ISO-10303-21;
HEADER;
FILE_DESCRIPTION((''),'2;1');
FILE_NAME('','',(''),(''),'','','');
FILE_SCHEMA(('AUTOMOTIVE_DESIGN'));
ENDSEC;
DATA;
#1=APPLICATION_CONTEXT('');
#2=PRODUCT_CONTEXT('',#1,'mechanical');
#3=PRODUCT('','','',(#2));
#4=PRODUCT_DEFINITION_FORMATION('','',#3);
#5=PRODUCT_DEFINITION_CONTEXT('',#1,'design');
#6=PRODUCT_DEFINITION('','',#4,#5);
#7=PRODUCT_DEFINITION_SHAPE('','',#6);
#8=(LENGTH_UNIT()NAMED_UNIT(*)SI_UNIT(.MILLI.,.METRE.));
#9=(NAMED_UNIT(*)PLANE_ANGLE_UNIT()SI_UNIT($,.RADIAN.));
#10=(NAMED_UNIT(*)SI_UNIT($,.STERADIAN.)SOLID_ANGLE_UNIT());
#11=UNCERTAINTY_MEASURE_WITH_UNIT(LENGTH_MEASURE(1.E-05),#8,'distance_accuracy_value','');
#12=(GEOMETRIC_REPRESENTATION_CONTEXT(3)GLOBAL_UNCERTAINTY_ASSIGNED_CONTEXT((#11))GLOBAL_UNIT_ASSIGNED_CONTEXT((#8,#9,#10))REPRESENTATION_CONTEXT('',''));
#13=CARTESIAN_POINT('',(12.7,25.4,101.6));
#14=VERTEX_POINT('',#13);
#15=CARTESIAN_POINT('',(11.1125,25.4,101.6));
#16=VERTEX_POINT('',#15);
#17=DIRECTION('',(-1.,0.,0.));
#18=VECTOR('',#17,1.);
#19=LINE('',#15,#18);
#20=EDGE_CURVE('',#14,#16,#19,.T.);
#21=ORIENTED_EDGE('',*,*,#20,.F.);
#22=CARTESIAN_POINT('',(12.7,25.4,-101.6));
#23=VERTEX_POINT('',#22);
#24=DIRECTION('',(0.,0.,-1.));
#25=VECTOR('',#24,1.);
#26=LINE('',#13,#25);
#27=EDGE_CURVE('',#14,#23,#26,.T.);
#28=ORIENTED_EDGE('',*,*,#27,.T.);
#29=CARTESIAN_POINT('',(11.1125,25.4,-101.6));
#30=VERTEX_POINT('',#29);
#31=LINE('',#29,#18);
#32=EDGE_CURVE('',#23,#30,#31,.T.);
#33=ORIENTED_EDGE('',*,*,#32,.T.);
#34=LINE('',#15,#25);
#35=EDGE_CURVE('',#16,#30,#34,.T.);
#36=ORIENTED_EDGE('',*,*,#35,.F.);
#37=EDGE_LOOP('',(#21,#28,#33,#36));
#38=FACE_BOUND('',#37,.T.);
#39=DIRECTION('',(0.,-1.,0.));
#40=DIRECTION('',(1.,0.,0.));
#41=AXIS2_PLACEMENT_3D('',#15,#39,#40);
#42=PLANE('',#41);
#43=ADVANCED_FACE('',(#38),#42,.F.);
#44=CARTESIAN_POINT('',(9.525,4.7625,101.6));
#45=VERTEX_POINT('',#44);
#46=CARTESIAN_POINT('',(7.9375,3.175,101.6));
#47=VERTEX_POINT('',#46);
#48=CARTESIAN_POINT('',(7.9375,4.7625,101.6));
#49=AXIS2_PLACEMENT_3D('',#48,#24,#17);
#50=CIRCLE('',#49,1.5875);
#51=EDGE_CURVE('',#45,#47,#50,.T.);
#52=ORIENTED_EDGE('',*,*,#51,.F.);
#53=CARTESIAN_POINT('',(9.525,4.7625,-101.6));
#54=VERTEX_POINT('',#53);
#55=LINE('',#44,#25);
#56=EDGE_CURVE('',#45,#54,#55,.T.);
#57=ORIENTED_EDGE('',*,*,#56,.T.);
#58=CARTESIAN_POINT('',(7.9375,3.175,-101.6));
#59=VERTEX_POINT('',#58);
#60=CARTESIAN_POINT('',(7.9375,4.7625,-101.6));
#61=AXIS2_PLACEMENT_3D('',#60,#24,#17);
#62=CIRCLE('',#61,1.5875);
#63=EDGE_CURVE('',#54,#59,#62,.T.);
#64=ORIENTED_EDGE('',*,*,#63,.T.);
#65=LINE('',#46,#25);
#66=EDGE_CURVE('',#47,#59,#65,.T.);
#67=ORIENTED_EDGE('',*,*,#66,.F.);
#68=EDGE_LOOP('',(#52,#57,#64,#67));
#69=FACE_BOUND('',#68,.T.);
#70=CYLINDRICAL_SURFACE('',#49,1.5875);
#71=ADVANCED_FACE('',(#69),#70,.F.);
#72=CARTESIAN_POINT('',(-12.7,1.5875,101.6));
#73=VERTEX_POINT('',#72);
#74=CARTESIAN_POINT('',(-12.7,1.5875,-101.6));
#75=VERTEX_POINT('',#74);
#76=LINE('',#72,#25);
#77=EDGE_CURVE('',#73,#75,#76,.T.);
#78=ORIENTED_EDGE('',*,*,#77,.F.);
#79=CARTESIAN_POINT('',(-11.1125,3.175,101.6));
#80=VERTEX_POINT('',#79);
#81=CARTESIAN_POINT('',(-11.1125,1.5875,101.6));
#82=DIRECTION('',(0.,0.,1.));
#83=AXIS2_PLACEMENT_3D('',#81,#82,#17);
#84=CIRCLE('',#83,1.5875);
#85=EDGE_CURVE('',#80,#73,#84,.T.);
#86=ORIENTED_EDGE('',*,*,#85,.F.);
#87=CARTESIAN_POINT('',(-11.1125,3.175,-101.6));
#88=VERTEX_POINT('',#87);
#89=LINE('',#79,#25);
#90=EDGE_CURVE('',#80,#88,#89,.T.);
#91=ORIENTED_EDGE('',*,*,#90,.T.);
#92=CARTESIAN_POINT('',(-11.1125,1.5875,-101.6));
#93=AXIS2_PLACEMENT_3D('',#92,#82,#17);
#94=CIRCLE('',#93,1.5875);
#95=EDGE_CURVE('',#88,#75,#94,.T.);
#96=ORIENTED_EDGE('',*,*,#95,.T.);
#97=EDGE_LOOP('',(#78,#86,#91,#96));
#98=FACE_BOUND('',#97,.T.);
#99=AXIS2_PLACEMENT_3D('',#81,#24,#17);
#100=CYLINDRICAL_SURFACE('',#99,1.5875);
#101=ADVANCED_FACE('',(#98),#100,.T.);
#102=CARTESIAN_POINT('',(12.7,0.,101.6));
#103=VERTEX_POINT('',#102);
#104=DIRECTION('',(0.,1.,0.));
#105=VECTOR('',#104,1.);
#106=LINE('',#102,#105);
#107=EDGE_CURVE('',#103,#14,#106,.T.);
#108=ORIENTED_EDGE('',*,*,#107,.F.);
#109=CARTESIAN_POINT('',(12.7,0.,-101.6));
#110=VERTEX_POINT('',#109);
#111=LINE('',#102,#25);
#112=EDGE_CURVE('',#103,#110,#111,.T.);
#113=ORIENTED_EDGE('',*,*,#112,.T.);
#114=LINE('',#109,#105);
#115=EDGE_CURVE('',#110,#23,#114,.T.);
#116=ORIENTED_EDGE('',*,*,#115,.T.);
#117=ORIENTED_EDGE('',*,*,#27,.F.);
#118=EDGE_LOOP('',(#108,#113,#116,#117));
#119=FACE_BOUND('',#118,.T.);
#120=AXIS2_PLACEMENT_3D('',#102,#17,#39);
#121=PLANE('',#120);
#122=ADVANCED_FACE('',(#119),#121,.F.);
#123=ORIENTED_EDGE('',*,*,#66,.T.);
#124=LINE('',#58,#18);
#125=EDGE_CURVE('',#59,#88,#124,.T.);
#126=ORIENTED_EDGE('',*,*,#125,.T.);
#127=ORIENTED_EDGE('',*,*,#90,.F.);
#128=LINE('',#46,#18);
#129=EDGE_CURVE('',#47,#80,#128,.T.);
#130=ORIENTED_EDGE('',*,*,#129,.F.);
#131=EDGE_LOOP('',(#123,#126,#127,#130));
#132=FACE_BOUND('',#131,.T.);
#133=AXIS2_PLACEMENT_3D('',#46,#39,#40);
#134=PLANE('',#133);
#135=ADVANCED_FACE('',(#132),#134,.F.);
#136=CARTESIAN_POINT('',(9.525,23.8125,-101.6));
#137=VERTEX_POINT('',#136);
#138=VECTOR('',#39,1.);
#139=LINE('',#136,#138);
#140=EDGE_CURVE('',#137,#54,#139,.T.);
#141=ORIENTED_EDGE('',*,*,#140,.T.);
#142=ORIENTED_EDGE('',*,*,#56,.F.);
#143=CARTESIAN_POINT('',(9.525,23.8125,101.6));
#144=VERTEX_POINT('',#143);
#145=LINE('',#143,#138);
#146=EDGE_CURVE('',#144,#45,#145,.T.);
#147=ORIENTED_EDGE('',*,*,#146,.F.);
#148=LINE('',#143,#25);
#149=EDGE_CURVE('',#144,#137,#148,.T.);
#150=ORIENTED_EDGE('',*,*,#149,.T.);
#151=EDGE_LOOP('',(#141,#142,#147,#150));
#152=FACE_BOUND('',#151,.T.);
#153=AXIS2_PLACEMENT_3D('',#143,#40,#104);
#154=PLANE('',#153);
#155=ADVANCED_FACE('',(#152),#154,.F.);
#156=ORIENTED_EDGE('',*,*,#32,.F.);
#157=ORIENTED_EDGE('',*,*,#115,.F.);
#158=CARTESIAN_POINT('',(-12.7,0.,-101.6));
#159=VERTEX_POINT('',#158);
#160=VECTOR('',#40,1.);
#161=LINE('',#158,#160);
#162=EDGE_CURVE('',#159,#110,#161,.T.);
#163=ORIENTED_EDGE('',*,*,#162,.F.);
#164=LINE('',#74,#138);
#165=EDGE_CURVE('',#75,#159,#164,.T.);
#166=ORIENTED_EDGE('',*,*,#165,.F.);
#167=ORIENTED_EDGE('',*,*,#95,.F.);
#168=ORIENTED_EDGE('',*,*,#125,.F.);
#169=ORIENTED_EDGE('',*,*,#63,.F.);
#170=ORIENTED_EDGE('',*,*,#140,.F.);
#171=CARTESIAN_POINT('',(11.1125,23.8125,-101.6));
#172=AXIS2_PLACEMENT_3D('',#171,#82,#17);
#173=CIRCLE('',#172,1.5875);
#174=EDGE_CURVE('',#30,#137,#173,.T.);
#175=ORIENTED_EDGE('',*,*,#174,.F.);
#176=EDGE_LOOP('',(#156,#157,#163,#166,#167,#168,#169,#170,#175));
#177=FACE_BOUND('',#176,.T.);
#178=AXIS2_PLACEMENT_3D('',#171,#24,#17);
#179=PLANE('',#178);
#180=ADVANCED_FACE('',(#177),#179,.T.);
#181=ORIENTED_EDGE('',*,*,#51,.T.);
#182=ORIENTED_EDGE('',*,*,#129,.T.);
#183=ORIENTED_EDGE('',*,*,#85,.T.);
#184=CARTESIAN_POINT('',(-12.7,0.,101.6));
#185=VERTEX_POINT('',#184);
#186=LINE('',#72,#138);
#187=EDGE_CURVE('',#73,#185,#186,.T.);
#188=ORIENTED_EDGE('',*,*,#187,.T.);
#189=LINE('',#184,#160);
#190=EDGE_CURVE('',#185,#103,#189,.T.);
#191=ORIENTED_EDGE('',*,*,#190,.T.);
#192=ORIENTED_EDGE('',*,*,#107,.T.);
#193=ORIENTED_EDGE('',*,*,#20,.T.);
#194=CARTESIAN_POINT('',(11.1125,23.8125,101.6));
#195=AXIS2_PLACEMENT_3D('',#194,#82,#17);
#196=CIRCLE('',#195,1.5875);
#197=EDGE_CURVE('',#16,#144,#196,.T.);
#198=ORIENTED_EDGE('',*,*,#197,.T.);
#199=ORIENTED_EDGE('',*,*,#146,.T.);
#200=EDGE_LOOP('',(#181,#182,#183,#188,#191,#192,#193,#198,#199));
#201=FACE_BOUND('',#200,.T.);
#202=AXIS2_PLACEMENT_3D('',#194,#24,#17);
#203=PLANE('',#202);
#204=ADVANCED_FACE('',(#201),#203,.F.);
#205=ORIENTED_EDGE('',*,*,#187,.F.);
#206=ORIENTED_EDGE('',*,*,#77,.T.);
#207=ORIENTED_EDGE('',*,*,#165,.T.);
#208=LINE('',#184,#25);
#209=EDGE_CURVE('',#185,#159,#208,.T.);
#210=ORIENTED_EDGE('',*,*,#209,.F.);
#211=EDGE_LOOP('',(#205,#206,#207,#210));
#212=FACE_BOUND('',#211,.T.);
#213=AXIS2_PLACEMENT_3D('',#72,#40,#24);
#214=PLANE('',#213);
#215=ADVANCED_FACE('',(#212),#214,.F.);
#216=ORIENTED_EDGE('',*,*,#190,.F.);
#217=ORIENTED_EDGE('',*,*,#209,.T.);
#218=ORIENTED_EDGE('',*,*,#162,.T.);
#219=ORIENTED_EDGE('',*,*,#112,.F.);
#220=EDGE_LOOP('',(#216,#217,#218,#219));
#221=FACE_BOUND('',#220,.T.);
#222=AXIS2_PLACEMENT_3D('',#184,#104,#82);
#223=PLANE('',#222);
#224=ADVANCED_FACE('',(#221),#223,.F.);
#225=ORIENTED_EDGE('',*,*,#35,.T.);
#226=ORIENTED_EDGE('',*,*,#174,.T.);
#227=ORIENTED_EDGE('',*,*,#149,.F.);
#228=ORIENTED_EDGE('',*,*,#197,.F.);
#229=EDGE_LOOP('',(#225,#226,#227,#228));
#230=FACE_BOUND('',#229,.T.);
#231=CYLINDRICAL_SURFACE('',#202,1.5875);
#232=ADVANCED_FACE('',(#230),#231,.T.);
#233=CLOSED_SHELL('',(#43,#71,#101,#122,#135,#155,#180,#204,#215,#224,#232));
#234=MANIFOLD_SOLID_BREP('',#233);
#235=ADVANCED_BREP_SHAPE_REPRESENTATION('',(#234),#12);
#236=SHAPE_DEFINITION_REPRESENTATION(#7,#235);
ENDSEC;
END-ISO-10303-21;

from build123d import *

# Parameters (mm, degrees)
BOSS_EXTRUDE1_DEPTH = 101.6


with BuildPart() as part:
    # Sketch2 → Boss-Extrude1 (new, symmetric)
    with BuildSketch(Plane.XY):
        with BuildLine():
            Line((-12.7, 0), (12.7, 0))
            Line((12.7, 0), (12.7, 25.4))
            Line((12.7, 25.4), (11.1125, 25.4))
            ThreePointArc((11.1125, 25.4), (9.989967985, 24.935032015), (9.525, 23.8125))
            Line((9.525, 23.8125), (9.525, 4.7625))
            ThreePointArc((9.525, 4.7625), (9.060032015, 3.639967985), (7.9375, 3.175))
            Line((7.9375, 3.175), (-11.1125, 3.175))
            ThreePointArc((-11.1125, 3.175), (-12.235032015, 2.710032015), (-12.7, 1.5875))
            Line((-12.7, 1.5875), (-12.7, 0))
        make_face()
    extrude(amount=BOSS_EXTRUDE1_DEPTH, both=True)


solid = part.part
